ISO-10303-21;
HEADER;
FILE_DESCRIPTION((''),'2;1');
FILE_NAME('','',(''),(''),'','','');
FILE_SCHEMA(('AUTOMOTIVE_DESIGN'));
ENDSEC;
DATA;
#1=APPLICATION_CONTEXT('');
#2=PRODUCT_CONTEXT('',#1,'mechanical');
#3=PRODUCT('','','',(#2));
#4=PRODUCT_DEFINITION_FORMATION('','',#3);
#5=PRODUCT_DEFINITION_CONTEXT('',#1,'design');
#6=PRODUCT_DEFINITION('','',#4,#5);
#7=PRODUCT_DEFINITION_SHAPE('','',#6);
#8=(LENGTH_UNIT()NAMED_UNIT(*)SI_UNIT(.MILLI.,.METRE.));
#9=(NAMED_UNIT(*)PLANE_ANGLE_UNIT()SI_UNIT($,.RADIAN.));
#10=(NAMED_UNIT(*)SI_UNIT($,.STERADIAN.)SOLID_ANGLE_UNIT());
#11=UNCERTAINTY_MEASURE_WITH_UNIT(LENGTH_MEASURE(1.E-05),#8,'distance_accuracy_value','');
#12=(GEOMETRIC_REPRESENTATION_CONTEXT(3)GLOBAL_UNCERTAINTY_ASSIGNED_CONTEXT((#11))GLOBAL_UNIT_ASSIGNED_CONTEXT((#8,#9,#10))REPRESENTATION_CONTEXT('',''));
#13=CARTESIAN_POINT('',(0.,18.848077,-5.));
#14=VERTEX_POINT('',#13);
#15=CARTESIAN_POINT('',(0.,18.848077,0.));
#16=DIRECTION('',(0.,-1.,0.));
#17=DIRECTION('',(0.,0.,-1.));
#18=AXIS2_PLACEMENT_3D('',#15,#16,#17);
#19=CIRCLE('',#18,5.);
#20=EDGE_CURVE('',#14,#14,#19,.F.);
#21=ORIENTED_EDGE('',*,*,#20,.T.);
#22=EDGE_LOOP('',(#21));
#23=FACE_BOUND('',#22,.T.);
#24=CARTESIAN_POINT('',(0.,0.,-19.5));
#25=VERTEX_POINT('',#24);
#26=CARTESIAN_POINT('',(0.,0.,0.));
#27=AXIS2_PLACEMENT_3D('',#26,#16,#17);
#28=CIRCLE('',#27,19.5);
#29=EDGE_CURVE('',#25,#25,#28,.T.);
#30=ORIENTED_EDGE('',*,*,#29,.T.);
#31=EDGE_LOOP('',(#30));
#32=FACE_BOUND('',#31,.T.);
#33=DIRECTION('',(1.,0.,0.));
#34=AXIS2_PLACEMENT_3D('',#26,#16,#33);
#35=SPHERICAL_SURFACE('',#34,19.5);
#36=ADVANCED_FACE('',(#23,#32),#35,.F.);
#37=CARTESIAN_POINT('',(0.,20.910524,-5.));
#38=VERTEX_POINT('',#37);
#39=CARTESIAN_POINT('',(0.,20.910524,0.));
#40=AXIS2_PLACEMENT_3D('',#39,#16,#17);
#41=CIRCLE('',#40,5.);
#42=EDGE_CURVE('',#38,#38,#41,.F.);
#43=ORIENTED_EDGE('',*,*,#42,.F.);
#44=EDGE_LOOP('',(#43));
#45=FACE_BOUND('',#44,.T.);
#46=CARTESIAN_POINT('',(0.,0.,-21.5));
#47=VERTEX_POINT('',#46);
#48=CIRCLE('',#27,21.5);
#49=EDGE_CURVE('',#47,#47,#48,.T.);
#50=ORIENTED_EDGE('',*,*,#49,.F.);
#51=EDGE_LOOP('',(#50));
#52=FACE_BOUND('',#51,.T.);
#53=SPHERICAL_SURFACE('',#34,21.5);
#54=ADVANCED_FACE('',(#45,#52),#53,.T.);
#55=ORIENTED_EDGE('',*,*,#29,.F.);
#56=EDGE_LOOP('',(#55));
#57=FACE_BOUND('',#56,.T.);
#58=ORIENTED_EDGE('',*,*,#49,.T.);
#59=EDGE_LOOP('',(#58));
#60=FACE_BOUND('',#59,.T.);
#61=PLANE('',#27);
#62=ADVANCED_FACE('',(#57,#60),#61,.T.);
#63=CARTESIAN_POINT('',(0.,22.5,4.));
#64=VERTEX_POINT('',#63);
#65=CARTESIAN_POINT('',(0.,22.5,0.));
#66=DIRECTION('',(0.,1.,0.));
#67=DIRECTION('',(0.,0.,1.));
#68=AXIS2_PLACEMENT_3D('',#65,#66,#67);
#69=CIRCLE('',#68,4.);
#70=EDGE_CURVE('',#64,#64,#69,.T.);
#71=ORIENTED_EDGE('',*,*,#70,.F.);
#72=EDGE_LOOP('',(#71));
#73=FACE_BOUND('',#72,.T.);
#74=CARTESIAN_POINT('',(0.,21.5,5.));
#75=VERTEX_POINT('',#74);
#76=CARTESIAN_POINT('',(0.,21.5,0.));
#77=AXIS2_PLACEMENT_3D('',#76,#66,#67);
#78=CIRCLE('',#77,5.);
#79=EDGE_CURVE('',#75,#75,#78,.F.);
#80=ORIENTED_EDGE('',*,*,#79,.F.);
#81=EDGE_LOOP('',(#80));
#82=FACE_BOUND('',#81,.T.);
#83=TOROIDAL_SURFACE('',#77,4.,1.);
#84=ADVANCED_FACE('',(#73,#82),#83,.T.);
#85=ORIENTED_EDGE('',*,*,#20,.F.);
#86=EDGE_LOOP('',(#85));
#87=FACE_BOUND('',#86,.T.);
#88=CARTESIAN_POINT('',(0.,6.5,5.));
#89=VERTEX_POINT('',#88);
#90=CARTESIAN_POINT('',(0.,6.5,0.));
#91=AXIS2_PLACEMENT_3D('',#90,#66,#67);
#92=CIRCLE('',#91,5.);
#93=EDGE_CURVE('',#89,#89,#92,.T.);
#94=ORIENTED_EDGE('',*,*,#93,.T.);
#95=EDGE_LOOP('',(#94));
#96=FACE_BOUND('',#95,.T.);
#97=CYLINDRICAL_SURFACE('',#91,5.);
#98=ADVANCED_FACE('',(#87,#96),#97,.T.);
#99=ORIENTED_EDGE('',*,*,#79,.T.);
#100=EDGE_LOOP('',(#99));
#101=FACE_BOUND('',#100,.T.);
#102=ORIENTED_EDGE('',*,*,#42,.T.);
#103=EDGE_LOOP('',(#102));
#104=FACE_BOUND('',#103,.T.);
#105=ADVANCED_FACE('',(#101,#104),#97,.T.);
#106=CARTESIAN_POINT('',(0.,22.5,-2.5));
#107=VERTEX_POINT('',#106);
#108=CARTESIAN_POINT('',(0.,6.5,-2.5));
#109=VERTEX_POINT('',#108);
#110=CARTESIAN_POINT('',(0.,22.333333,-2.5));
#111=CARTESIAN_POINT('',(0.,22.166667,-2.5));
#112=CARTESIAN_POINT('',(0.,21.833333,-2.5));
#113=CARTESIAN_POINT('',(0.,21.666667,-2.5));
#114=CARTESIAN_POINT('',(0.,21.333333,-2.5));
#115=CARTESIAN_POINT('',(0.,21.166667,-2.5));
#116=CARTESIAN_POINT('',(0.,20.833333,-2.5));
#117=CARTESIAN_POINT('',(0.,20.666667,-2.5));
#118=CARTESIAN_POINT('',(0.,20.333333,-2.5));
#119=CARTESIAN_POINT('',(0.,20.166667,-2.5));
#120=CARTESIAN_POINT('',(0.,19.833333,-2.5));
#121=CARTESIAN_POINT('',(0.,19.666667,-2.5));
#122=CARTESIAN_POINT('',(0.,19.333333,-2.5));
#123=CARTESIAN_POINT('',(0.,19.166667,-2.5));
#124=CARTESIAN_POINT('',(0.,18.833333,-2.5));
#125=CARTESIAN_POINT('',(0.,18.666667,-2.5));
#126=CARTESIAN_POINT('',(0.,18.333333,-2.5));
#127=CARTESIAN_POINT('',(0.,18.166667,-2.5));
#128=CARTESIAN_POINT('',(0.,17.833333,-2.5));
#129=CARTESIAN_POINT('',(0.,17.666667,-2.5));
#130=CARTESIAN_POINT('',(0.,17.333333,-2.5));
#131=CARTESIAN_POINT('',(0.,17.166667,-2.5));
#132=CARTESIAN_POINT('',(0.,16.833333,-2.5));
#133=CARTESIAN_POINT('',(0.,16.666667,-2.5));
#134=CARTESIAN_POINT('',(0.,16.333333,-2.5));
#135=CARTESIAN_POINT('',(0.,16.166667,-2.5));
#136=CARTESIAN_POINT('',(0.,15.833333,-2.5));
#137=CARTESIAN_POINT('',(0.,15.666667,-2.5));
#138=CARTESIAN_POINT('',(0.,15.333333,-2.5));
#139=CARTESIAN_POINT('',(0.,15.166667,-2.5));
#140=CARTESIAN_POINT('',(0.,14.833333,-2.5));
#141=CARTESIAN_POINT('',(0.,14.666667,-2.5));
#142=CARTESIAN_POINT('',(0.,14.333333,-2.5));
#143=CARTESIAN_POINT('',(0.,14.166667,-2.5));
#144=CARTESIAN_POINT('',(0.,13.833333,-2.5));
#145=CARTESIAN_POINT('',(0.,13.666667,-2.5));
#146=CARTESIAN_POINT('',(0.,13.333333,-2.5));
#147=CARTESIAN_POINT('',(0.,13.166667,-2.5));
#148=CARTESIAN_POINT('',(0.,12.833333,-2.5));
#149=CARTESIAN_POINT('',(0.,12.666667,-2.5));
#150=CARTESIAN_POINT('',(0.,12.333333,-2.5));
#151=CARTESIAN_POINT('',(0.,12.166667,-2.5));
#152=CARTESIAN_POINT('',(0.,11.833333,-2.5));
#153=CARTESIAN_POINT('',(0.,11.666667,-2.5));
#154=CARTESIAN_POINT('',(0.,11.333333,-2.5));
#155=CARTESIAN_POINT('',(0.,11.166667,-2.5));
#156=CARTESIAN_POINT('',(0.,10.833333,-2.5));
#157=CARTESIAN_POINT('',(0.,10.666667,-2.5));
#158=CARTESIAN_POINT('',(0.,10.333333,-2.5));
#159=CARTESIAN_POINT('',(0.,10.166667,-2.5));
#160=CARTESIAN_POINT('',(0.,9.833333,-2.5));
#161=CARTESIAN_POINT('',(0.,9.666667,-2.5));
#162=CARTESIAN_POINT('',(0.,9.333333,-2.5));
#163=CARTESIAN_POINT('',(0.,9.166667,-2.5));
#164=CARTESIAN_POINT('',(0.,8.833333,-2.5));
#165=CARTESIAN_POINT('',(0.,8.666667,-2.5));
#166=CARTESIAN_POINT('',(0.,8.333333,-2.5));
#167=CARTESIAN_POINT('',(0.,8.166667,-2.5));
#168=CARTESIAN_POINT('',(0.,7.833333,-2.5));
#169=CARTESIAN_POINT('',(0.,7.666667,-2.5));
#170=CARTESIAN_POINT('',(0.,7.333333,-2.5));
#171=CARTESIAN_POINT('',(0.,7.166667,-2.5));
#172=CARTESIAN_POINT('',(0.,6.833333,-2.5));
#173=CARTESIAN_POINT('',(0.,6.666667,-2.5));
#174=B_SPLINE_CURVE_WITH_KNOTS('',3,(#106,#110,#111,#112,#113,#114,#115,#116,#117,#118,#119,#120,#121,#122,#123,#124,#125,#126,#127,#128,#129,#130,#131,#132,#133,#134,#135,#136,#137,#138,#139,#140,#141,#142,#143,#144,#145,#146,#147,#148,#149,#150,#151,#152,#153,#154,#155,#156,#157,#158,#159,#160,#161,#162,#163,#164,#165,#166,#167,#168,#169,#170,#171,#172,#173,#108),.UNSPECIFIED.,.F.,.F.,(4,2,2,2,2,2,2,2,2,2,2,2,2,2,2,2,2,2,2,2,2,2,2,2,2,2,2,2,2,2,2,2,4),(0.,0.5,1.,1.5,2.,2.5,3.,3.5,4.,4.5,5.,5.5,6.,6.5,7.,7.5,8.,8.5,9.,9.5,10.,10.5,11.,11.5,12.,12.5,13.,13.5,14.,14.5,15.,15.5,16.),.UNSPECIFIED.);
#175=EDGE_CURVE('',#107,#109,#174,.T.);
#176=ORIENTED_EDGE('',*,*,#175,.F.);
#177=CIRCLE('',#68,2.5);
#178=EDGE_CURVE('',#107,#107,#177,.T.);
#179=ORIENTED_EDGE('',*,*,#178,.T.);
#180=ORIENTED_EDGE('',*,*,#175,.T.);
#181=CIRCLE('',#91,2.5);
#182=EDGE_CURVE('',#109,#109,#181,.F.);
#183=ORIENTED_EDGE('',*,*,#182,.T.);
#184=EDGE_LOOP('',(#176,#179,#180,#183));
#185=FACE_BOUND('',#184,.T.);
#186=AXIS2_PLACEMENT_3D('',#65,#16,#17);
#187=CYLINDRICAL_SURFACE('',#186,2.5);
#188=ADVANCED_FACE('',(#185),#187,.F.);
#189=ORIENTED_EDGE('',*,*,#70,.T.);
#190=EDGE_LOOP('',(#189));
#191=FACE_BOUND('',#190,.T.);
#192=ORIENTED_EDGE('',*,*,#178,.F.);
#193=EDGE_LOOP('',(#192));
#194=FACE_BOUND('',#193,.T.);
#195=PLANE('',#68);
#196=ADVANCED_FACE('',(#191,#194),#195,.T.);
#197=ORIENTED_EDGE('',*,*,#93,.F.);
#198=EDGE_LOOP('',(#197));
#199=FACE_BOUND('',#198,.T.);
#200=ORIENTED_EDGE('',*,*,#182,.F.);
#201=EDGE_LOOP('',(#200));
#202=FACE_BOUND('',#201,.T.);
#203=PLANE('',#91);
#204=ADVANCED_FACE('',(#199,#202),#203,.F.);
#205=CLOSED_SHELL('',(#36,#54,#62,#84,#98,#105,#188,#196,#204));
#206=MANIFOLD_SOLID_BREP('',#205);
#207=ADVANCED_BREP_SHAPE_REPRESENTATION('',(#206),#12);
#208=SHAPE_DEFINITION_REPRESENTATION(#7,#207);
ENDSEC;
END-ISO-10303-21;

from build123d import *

# Parameters (mm, degrees)
SHELL1_T                 = -2
BOSS_EXTRUDE6_DEPTH      = 1
BOSS_EXTRUDE6_DEPTH_BACK = 15
SKETCH4_R                = 5
SKETCH2_R                = 2.5
CUT_EXTRUDE3_DEPTH       = 38.825256113
FILLET1_R                = 1


with BuildPart() as part:
    # Sketch1 → Revolve1 (revolve)
    with BuildSketch(Plane.XY):
        with BuildLine():
            Line((0, 0), (21.5, 0))
            ThreePointArc((21.5, 0), (15.202795796, 15.202795796), (0, 21.5))
            Line((0, 21.5), (0, 0))
        make_face()
    revolve(axis=Axis((0, 0, 0), (0, 1, 0)))

    # Shell1
    shell1_openings = [part.faces().sort_by_distance(p)[0] for p in [
        (0, 0, 0),
    ]]
    offset(amount=SHELL1_T, openings=shell1_openings, kind=Kind.INTERSECTION)

    # Sketch4 → Boss-Extrude6 (add, two sides: drawn at the far end of the back side and taken through both)
    with BuildSketch(Plane(origin=(0, 21.5, 0), x_dir=(1, 0, 0), z_dir=(0, 1, 0)).offset(-BOSS_EXTRUDE6_DEPTH_BACK)):
        with Locations(Location((0, 0, 0), (0, 0, 270))):
            Circle(SKETCH4_R)
    extrude(amount=BOSS_EXTRUDE6_DEPTH + BOSS_EXTRUDE6_DEPTH_BACK)

    # Sketch2 → Cut-Extrude3 (cut, through all)
    with BuildSketch(Plane(origin=(0, 0, 0), x_dir=(1, 0, 0), z_dir=(0, 1, 0))):
        with Locations(Location((0, 0, 0), (0, 0, 90))):
            Circle(SKETCH2_R)
    extrude(amount=CUT_EXTRUDE3_DEPTH, mode=Mode.SUBTRACT)

    # Fillet1
    fillet1_edges = [part.edges().sort_by_distance(p)[0] for p in [
        (0, 22.5, -5),
    ]]
    fillet(fillet1_edges, radius=FILLET1_R)


solid = part.part
